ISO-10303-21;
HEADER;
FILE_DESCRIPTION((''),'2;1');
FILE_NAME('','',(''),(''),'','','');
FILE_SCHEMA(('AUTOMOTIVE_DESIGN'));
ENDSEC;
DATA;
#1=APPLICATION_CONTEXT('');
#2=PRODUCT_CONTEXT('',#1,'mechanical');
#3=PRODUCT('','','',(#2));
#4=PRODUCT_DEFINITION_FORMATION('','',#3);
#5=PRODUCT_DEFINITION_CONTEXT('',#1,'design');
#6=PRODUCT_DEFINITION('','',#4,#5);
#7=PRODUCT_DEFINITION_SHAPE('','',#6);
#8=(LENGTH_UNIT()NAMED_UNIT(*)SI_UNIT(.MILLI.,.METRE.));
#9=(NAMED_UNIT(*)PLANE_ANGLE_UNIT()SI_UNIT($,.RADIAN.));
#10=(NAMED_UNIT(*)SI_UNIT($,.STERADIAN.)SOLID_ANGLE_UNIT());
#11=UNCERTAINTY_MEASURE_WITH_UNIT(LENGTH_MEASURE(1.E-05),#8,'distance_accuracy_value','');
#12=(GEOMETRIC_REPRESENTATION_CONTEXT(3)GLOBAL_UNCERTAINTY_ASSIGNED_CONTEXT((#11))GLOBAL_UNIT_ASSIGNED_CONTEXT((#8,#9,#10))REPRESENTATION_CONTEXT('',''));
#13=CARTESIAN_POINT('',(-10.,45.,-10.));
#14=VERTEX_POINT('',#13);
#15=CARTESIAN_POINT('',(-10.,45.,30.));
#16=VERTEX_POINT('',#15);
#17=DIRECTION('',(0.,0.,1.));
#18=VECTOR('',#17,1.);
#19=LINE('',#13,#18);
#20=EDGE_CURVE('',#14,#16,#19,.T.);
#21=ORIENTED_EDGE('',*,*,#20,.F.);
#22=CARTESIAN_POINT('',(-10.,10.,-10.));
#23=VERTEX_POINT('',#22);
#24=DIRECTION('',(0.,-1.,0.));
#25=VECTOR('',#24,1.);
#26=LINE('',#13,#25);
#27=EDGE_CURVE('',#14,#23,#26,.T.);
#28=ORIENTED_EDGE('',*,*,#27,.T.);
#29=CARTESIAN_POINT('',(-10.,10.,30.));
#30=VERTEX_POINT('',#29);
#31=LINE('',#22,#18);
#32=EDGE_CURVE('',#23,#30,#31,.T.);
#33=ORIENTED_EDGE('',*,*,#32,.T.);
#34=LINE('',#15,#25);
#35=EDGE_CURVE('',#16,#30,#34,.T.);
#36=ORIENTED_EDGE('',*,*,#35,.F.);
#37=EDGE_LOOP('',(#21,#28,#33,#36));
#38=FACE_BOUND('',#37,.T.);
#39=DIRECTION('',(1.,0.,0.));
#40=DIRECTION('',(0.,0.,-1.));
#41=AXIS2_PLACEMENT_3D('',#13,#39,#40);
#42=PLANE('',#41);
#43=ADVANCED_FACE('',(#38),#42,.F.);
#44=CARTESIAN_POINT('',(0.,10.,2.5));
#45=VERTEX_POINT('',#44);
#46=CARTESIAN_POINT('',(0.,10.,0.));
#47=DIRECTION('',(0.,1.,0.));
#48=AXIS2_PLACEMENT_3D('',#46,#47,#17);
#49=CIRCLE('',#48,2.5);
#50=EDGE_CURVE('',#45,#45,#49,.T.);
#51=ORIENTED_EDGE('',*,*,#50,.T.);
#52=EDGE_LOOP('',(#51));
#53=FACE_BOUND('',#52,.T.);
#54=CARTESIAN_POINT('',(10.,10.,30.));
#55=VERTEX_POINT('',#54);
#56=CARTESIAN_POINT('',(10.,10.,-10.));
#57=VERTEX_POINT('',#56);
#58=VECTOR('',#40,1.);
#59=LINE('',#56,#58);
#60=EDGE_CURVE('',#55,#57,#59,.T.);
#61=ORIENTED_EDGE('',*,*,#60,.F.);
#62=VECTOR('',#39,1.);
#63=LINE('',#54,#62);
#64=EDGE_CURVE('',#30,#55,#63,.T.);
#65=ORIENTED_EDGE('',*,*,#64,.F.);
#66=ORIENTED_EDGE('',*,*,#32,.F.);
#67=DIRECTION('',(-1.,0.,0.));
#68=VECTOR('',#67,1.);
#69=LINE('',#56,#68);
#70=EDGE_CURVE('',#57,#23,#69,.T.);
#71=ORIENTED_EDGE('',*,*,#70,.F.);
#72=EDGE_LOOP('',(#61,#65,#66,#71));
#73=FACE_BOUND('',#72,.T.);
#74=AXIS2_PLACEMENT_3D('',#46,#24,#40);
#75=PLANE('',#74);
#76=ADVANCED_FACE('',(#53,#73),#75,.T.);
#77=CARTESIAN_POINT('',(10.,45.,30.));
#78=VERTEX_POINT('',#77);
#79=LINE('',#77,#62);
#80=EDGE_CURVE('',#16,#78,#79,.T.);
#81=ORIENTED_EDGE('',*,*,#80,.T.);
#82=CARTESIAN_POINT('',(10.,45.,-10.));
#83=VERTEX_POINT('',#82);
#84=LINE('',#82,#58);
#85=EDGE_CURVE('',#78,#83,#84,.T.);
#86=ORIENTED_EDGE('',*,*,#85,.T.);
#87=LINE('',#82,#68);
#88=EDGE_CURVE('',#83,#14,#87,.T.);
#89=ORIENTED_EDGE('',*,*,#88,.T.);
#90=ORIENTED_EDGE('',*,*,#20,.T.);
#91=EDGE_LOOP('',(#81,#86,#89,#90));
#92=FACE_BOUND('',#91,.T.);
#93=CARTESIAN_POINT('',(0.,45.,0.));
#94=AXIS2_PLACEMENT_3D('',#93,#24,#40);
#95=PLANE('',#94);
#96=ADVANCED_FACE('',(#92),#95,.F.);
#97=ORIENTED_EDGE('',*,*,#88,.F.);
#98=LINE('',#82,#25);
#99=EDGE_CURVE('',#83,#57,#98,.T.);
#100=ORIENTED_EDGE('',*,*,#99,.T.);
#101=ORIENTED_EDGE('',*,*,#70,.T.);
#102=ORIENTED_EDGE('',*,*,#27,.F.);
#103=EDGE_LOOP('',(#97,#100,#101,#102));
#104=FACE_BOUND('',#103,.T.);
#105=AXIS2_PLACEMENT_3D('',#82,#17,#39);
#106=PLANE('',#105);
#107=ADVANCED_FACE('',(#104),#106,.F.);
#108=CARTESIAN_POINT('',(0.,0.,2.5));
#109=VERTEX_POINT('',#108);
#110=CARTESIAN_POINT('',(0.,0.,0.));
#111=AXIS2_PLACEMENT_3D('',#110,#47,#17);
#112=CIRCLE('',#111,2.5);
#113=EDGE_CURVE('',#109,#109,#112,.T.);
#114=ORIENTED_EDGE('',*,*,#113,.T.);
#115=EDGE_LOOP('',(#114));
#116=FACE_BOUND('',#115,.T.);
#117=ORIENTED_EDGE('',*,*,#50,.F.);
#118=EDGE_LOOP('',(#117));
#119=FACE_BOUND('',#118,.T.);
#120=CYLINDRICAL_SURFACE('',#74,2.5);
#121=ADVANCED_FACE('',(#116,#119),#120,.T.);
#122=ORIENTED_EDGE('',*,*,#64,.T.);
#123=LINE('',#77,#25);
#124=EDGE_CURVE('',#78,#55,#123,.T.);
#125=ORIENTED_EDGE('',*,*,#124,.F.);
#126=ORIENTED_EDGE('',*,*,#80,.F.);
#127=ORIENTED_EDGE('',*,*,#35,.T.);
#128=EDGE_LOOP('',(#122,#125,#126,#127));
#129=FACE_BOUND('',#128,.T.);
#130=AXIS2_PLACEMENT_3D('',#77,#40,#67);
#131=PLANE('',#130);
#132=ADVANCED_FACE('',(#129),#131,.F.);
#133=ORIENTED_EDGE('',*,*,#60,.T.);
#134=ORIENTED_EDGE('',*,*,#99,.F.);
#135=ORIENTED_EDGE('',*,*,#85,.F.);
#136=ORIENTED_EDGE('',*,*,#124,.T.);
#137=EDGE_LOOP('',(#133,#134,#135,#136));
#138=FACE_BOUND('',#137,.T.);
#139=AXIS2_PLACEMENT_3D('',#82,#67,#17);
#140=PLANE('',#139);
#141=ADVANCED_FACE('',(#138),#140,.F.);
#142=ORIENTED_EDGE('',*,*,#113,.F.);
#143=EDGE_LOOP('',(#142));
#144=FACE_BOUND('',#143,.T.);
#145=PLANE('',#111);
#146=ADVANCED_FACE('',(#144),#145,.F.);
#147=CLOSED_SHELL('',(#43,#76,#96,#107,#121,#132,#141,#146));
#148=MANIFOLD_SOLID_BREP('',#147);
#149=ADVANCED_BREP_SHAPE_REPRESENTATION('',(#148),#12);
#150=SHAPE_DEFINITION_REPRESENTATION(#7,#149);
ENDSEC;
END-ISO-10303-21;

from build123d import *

# Parameters (mm, degrees)
SKETCH1_R           = 2.5
BOSS_EXTRUDE1_DEPTH = 10
SKETCH3_W           = 20
SKETCH3_H           = 40
BOSS_EXTRUDE2_DEPTH = 35


with BuildPart() as part:
    # Sketch1 → Boss-Extrude1 (new body)
    with BuildSketch(Plane(origin=(0, 0, 0), x_dir=(1, 0, 0), z_dir=(0, 1, 0))):
        Circle(SKETCH1_R)
    extrude(amount=BOSS_EXTRUDE1_DEPTH)

    # Sketch3 → Boss-Extrude2 (add)
    with BuildSketch(Plane(origin=(0, 10, 0), x_dir=(1, 0, 0), z_dir=(0, 1, 0))):
        with Locations((0, -10)):
            Rectangle(SKETCH3_W, SKETCH3_H)
    extrude(amount=BOSS_EXTRUDE2_DEPTH)


solid = part.part
